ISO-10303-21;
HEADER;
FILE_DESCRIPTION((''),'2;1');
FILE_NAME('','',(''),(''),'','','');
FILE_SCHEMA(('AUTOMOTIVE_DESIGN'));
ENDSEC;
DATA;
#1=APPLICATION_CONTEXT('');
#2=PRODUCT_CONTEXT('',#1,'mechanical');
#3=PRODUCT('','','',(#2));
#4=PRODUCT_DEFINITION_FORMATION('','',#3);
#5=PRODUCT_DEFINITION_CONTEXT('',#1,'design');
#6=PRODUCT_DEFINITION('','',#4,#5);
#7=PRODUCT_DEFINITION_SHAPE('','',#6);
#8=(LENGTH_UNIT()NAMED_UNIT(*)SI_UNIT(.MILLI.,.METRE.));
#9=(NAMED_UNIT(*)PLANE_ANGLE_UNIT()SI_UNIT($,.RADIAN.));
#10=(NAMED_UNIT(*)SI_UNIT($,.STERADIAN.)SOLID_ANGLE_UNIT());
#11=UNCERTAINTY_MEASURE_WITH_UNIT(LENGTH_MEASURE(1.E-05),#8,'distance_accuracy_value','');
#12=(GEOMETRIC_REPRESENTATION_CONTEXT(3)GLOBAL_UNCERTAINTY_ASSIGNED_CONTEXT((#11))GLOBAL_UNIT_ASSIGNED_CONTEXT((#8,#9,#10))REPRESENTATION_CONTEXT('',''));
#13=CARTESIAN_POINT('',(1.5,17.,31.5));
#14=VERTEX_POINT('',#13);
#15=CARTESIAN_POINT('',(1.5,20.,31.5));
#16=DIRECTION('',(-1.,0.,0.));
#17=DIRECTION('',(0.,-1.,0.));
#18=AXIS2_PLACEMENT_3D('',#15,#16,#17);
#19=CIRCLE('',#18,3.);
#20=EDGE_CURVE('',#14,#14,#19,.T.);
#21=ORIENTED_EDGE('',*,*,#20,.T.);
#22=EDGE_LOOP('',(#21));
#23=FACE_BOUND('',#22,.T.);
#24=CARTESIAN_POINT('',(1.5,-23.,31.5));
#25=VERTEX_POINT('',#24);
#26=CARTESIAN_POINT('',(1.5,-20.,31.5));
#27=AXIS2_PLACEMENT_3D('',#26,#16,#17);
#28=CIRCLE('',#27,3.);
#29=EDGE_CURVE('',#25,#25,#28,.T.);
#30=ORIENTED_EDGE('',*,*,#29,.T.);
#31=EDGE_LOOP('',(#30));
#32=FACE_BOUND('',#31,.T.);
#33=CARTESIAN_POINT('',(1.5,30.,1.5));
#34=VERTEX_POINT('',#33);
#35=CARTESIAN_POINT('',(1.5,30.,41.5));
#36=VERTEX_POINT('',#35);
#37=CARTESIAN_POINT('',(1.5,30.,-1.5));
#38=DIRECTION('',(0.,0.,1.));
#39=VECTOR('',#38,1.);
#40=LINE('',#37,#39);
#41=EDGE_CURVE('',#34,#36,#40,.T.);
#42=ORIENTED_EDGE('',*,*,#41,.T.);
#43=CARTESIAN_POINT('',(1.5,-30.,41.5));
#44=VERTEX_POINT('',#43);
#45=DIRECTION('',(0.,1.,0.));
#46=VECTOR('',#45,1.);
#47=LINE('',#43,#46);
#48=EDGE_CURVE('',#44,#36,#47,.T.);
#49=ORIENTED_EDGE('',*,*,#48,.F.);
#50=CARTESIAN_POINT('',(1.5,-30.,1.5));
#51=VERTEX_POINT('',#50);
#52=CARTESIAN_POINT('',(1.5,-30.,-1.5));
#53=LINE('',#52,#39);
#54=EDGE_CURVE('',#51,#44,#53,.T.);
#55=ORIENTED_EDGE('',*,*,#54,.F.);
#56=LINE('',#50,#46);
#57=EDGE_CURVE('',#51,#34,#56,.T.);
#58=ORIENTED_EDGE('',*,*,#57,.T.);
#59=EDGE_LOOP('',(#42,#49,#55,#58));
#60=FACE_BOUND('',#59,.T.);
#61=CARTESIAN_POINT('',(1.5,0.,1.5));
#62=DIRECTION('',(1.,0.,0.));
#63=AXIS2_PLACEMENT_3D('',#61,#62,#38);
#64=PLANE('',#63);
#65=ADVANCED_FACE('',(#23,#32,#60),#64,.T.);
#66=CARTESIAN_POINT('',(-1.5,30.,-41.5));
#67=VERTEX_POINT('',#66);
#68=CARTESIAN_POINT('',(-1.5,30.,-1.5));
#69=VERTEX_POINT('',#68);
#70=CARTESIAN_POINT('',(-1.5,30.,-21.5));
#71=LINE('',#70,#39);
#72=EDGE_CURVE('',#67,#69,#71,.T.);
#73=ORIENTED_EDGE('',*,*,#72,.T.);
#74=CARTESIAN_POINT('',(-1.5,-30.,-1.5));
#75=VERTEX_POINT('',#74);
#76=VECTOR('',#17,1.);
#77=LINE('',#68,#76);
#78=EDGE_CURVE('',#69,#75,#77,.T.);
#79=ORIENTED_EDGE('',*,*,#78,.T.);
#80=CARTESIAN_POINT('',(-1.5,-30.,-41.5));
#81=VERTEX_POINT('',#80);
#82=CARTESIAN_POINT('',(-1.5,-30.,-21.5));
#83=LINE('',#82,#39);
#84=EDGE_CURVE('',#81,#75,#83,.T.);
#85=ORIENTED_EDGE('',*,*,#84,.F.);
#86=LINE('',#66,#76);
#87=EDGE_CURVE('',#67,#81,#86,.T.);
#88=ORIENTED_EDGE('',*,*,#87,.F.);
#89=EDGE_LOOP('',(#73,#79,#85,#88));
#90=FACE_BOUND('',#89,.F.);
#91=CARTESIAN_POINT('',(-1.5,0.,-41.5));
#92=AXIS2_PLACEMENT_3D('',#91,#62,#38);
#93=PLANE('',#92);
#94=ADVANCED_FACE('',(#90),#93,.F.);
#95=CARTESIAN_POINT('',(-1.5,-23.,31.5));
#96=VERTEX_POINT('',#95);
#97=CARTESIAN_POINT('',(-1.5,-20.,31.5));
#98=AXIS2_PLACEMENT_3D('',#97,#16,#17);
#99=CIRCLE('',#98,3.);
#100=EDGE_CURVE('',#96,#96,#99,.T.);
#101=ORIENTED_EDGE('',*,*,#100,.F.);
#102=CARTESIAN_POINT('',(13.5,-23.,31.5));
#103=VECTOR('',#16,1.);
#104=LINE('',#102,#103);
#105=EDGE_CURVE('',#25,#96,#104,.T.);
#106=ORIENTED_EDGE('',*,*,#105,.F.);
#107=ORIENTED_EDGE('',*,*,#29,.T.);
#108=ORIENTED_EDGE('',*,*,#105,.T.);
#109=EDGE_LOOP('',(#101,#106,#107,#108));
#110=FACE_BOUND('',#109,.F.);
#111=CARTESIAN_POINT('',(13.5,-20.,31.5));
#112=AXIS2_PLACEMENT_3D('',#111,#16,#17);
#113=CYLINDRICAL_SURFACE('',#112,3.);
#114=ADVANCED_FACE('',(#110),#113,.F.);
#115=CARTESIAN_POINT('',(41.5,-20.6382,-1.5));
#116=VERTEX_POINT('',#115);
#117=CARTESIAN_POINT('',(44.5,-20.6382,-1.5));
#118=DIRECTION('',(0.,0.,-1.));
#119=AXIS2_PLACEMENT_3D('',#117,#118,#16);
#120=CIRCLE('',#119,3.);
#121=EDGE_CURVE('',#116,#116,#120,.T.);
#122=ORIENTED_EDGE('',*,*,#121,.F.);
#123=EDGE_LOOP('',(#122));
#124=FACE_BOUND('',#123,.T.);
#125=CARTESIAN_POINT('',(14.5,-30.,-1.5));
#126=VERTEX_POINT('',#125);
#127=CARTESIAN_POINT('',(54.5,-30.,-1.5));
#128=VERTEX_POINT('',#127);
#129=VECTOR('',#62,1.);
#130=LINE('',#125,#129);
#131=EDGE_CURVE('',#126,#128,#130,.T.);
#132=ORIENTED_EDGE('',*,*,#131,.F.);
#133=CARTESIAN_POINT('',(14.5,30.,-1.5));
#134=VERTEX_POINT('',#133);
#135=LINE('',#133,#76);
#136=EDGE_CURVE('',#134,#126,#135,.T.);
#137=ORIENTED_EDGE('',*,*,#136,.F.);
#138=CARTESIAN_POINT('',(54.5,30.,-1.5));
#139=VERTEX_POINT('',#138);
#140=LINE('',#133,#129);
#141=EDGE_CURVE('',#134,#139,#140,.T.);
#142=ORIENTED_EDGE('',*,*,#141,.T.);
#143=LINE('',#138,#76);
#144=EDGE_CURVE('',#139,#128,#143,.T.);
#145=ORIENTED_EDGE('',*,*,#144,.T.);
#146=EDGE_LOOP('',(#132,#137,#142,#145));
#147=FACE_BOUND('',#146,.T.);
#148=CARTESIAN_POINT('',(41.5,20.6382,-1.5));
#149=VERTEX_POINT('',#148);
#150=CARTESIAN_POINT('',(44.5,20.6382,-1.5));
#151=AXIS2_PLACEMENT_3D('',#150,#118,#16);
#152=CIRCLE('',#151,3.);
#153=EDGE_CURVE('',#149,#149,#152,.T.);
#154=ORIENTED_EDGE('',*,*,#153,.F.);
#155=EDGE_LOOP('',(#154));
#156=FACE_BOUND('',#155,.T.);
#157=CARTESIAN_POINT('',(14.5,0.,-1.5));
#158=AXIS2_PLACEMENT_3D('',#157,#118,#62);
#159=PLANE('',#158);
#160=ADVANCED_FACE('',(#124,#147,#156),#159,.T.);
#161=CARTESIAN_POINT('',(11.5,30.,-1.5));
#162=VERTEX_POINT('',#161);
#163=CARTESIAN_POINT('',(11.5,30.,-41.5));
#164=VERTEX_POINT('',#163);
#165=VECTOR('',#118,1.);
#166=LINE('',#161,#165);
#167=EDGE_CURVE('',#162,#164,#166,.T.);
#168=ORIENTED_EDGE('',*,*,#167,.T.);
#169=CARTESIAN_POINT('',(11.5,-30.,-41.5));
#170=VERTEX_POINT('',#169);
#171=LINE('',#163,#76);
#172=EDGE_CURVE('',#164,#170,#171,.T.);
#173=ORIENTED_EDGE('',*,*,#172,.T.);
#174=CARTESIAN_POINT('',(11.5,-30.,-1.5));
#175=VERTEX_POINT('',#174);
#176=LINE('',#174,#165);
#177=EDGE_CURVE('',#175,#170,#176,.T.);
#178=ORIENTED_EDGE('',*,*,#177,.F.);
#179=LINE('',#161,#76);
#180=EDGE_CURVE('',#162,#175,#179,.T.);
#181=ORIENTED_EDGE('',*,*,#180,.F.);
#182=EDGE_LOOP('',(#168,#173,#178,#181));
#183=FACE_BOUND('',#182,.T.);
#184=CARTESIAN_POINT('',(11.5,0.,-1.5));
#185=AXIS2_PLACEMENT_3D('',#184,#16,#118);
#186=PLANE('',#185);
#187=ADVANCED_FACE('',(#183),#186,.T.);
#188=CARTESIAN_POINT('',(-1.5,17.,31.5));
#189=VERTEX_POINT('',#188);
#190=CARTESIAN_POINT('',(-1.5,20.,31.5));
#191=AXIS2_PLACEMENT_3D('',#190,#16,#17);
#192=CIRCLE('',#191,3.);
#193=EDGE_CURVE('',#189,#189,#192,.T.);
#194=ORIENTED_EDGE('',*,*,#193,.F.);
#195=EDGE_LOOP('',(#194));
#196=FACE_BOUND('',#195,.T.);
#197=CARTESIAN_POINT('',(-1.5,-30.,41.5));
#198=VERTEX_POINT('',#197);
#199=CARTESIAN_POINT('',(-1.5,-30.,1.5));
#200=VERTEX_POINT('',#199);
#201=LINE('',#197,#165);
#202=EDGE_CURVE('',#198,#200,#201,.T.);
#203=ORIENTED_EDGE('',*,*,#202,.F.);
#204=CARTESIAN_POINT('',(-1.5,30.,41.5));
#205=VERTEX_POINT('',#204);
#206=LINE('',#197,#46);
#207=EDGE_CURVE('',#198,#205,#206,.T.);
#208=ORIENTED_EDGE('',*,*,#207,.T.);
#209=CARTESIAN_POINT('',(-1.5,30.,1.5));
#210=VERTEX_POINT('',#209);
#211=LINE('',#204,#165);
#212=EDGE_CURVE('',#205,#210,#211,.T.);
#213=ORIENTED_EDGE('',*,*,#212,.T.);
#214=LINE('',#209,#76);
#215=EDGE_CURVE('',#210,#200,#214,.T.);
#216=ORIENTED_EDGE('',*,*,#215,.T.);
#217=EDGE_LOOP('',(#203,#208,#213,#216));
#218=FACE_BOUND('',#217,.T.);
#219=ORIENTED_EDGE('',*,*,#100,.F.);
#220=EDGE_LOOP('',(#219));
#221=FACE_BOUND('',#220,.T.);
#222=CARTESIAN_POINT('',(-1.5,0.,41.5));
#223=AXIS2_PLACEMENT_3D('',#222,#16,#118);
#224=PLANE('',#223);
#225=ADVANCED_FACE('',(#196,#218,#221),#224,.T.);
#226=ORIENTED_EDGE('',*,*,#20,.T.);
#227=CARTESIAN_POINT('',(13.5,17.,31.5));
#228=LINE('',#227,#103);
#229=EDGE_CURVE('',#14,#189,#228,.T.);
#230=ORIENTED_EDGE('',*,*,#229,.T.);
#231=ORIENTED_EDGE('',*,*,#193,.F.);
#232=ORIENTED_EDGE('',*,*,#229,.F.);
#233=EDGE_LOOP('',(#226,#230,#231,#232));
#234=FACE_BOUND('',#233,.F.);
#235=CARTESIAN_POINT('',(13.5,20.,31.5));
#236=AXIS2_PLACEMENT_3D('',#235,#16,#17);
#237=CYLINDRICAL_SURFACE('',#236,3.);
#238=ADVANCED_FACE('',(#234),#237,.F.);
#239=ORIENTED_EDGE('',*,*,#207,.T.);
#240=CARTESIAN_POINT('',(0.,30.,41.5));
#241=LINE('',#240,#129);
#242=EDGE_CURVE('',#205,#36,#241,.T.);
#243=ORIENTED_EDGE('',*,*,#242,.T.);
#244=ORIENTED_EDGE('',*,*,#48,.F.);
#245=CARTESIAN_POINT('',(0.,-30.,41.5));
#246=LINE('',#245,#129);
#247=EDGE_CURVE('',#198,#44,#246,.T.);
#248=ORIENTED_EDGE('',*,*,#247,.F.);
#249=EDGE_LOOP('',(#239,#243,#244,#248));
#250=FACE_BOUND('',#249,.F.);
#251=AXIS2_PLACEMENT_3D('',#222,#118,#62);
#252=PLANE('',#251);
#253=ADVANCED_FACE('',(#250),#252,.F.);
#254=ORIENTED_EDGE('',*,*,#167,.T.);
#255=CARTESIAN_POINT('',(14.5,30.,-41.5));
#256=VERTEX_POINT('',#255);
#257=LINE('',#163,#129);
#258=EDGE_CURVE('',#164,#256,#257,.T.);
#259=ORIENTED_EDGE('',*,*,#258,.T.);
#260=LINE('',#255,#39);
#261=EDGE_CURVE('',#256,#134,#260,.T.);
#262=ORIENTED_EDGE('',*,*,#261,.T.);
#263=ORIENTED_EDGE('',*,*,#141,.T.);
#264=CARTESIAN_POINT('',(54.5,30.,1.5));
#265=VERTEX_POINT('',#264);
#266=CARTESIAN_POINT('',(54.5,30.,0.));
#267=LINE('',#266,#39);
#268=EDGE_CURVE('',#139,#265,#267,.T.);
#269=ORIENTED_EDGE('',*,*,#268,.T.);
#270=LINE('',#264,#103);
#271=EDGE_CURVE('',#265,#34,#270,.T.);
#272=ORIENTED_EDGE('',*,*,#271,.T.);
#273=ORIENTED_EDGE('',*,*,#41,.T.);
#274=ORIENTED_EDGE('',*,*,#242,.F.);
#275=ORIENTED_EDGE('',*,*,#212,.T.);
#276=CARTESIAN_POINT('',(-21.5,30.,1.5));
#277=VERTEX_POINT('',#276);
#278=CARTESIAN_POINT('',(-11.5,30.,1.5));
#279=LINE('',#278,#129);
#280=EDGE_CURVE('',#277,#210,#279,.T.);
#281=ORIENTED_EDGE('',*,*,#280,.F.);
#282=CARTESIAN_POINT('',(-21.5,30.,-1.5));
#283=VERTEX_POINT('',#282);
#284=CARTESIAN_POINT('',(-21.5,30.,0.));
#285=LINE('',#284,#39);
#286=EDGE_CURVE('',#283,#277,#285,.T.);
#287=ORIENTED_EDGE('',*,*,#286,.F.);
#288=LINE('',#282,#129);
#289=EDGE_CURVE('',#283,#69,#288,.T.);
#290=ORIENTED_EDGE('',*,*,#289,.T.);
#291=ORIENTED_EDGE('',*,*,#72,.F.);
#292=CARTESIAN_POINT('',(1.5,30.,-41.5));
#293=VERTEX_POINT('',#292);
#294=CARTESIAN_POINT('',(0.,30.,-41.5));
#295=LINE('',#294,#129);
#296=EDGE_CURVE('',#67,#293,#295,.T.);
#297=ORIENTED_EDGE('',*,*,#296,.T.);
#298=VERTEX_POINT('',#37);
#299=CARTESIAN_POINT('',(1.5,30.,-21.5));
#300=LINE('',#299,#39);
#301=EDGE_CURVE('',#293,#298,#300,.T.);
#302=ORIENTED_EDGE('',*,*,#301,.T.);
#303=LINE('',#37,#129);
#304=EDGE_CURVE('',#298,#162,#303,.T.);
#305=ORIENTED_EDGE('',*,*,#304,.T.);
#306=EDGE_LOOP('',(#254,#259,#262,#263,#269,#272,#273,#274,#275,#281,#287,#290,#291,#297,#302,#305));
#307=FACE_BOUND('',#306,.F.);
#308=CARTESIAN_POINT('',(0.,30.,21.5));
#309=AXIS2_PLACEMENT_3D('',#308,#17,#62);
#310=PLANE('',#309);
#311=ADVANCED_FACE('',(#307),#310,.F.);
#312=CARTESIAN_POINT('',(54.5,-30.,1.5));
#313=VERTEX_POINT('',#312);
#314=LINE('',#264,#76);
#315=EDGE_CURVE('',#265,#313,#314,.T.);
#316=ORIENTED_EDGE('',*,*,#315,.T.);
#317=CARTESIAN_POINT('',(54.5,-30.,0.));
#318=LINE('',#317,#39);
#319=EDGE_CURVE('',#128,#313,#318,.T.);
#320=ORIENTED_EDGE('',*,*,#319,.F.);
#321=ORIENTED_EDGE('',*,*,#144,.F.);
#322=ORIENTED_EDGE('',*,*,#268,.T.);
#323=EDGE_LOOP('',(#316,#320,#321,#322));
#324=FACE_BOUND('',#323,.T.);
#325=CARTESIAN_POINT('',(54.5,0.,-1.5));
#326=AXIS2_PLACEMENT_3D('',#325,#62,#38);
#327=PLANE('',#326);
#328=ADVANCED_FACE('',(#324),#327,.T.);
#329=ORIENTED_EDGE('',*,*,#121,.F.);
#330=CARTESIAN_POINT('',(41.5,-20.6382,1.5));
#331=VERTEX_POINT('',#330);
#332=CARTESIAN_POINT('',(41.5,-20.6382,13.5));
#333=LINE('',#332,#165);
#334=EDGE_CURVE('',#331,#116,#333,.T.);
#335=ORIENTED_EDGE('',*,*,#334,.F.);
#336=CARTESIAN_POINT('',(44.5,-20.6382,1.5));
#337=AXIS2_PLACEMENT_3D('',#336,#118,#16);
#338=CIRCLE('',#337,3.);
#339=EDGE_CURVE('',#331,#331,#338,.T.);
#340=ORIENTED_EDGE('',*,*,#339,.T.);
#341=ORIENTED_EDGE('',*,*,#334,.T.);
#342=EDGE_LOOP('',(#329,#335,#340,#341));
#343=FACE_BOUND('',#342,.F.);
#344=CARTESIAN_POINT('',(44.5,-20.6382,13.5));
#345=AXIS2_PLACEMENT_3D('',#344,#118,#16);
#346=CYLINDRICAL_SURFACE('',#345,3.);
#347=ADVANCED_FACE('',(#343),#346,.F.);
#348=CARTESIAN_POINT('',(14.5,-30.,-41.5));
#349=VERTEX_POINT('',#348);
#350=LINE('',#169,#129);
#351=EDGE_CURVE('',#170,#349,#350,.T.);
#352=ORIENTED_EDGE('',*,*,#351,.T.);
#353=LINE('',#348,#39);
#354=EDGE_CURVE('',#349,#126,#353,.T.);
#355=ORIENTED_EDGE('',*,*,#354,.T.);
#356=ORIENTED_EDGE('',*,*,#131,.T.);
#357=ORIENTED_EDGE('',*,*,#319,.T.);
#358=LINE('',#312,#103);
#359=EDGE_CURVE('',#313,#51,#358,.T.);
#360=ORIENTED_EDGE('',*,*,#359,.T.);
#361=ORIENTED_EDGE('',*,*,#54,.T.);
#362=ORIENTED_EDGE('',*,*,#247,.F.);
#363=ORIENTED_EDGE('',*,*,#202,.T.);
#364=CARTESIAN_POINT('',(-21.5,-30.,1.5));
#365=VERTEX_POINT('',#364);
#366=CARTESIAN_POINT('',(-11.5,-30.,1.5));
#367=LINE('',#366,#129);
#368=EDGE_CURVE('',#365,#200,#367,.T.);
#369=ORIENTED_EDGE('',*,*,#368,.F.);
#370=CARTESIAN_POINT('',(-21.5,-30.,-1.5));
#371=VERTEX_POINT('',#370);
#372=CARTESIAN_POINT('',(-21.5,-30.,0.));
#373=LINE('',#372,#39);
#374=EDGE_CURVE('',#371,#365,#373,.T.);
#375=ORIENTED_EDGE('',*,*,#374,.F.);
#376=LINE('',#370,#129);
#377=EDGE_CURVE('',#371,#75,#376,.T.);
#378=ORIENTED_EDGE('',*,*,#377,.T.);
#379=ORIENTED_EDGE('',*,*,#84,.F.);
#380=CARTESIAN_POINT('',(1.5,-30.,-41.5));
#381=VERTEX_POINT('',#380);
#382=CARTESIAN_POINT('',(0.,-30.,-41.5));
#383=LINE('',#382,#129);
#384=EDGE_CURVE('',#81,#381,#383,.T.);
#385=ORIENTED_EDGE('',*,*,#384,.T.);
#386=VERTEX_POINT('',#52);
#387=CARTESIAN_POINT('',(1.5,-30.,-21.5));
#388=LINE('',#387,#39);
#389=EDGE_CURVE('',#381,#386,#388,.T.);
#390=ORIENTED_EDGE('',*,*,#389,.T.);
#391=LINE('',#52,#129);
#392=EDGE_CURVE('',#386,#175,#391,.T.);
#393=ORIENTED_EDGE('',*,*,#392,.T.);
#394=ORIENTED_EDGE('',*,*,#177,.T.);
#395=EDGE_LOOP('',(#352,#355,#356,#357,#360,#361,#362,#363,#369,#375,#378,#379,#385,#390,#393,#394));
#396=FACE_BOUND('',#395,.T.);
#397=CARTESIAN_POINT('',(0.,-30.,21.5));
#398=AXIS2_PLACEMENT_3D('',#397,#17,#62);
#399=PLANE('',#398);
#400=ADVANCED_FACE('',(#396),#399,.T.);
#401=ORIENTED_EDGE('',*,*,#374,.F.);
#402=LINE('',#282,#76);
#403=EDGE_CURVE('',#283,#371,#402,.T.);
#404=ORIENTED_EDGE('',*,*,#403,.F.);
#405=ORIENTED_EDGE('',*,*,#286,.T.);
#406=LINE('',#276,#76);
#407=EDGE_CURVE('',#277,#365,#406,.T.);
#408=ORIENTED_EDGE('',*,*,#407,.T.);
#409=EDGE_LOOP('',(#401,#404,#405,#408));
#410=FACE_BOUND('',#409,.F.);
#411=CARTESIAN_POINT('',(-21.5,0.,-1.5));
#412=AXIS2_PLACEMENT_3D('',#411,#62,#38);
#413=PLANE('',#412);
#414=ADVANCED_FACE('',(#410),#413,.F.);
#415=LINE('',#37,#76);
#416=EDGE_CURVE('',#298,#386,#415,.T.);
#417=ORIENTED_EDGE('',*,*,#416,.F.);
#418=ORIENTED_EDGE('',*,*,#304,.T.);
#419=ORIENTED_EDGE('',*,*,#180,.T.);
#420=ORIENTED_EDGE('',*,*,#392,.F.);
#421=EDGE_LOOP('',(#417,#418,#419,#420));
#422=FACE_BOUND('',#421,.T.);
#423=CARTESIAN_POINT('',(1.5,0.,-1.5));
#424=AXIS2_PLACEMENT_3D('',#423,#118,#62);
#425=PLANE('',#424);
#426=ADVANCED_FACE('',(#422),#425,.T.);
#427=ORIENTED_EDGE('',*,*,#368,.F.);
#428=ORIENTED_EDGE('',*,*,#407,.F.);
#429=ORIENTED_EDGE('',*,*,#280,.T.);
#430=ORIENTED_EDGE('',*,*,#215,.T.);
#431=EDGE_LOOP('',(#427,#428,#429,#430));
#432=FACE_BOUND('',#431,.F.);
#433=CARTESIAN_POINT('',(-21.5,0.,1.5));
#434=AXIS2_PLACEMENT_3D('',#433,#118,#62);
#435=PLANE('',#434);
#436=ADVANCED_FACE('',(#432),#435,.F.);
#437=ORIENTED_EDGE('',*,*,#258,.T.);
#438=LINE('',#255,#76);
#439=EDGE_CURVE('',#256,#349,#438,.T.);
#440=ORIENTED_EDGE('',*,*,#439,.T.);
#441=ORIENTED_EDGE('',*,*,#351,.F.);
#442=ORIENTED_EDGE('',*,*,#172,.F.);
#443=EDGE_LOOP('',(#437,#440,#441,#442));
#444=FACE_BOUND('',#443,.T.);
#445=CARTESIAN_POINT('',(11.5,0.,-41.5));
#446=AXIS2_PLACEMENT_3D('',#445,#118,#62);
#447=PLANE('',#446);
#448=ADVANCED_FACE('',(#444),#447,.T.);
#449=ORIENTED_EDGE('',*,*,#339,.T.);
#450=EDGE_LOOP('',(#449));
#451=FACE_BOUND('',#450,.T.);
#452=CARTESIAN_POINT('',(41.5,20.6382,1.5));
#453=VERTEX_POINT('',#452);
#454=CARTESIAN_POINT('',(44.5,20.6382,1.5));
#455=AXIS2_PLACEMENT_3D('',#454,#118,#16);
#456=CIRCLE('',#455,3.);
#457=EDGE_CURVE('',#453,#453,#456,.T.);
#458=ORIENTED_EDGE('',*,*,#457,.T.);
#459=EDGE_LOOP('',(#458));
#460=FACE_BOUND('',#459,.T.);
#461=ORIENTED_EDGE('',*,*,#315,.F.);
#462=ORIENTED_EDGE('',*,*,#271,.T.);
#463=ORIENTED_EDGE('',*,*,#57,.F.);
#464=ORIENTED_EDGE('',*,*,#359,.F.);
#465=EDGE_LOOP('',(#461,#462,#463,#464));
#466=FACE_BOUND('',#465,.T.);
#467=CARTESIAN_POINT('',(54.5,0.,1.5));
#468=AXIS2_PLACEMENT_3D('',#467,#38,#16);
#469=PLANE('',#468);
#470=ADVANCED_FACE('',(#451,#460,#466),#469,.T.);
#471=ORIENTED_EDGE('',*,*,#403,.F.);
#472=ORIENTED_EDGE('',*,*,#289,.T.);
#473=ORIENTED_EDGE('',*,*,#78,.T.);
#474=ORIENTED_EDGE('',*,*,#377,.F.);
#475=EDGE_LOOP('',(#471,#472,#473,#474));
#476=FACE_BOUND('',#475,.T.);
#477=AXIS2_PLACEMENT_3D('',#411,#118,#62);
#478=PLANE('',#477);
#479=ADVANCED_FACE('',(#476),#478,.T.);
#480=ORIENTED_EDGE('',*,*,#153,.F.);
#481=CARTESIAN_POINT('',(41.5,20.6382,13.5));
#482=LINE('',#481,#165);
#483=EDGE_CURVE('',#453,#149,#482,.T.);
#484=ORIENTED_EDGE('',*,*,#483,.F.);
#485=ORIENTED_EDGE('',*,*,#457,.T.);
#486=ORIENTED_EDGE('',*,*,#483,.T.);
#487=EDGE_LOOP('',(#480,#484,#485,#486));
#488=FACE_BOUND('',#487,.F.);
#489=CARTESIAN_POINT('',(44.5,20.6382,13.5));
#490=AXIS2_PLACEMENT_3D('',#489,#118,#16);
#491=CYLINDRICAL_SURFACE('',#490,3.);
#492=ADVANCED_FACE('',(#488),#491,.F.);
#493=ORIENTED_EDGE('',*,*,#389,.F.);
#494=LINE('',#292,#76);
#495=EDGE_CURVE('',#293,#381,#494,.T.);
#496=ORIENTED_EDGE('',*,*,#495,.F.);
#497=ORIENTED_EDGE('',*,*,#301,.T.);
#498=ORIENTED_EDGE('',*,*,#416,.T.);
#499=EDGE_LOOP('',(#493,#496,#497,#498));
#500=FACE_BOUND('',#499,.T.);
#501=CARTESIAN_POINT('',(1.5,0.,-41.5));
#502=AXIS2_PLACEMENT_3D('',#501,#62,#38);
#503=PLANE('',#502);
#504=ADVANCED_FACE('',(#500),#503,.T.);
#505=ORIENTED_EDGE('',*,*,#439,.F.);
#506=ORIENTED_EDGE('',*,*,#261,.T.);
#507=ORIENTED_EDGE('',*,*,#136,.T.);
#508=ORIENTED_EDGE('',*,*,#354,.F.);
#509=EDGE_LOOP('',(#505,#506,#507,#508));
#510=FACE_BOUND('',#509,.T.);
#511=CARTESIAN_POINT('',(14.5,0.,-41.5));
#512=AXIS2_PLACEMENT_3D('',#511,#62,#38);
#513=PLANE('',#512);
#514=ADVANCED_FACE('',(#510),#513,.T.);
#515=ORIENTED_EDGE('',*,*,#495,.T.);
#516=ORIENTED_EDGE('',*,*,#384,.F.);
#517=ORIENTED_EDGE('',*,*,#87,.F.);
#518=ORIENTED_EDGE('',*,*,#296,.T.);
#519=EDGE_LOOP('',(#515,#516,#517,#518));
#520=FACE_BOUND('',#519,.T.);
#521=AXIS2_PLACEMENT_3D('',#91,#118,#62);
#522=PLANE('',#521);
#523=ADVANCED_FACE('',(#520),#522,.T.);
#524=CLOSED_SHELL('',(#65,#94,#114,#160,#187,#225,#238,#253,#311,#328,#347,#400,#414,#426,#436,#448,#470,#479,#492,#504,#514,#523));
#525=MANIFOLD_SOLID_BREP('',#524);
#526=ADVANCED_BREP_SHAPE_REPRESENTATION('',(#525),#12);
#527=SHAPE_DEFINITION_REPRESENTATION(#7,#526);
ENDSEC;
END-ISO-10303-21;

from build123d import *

# Parameters (mm, degrees)
F0_W          = 3
F0_H          = 40
F0_H_2        = 3
F0_W_2        = 20
F0_W_3        = 10
F0_W_4        = 7
F0_W_5        = 33
F1_DEPTH      = 30
F1_DEPTH_BACK = 30
F3_D          = 6
F3_DEPTH      = 12
F3_TIP        = 1.8025818571
F5_D          = 6
F5_DEPTH      = 12
F5_TIP        = 1.8025818571


with BuildPart() as f1:
    # F0 (on Front) → F1 (new body, two sides)
    with BuildSketch(Plane.XZ) as f1_sk:
        with Locations((0, 21.5)):
            Rectangle(F0_W, F0_H)
        Rectangle(F0_W, F0_H_2)
        with Locations((-11.5, 0)):
            Rectangle(F0_W_2, F0_H_2)
        with Locations((6.5, 0)):
            Rectangle(F0_W_3, F0_H_2)
        with Locations((0, -21.5)):
            Rectangle(F0_W, F0_H)
        with Locations((13, 0)):
            Rectangle(F0_W, F0_H_2)
        Polygon((14.5, -1.5), (11.5, -1.5), (11.5, -8.7749995426), (11.5, -41.5), (14.5, -41.5), (14.5, -8.7749995426), align=None)
        with Locations((18, 0)):
            Rectangle(F0_W_4, F0_H_2)
        with Locations((38, 0)):
            Rectangle(F0_W_5, F0_H_2)
    extrude(amount=F1_DEPTH)
    extrude(f1_sk.sketch, amount=-F1_DEPTH_BACK)

    # F3
    with Locations(Plane.YZ.offset(1.5)):
        with Locations((-20, 31.5), (20, 31.5)):
            Hole(F3_D / 2, depth=F3_DEPTH)
            with Locations((0, 0, -(F3_DEPTH + F3_TIP / 2))):  # 118° drill point
                Cone(0, F3_D / 2, F3_TIP, mode=Mode.SUBTRACT)

    # F5
    with Locations(Plane.XY.offset(1.5)):
        with Locations((44.5, 20.6381995231), (44.5, -20.6381995231)):
            Hole(F5_D / 2, depth=F5_DEPTH)
            with Locations((0, 0, -(F5_DEPTH + F5_TIP / 2))):  # 118° drill point
                Cone(0, F5_D / 2, F5_TIP, mode=Mode.SUBTRACT)


solid = f1.part
